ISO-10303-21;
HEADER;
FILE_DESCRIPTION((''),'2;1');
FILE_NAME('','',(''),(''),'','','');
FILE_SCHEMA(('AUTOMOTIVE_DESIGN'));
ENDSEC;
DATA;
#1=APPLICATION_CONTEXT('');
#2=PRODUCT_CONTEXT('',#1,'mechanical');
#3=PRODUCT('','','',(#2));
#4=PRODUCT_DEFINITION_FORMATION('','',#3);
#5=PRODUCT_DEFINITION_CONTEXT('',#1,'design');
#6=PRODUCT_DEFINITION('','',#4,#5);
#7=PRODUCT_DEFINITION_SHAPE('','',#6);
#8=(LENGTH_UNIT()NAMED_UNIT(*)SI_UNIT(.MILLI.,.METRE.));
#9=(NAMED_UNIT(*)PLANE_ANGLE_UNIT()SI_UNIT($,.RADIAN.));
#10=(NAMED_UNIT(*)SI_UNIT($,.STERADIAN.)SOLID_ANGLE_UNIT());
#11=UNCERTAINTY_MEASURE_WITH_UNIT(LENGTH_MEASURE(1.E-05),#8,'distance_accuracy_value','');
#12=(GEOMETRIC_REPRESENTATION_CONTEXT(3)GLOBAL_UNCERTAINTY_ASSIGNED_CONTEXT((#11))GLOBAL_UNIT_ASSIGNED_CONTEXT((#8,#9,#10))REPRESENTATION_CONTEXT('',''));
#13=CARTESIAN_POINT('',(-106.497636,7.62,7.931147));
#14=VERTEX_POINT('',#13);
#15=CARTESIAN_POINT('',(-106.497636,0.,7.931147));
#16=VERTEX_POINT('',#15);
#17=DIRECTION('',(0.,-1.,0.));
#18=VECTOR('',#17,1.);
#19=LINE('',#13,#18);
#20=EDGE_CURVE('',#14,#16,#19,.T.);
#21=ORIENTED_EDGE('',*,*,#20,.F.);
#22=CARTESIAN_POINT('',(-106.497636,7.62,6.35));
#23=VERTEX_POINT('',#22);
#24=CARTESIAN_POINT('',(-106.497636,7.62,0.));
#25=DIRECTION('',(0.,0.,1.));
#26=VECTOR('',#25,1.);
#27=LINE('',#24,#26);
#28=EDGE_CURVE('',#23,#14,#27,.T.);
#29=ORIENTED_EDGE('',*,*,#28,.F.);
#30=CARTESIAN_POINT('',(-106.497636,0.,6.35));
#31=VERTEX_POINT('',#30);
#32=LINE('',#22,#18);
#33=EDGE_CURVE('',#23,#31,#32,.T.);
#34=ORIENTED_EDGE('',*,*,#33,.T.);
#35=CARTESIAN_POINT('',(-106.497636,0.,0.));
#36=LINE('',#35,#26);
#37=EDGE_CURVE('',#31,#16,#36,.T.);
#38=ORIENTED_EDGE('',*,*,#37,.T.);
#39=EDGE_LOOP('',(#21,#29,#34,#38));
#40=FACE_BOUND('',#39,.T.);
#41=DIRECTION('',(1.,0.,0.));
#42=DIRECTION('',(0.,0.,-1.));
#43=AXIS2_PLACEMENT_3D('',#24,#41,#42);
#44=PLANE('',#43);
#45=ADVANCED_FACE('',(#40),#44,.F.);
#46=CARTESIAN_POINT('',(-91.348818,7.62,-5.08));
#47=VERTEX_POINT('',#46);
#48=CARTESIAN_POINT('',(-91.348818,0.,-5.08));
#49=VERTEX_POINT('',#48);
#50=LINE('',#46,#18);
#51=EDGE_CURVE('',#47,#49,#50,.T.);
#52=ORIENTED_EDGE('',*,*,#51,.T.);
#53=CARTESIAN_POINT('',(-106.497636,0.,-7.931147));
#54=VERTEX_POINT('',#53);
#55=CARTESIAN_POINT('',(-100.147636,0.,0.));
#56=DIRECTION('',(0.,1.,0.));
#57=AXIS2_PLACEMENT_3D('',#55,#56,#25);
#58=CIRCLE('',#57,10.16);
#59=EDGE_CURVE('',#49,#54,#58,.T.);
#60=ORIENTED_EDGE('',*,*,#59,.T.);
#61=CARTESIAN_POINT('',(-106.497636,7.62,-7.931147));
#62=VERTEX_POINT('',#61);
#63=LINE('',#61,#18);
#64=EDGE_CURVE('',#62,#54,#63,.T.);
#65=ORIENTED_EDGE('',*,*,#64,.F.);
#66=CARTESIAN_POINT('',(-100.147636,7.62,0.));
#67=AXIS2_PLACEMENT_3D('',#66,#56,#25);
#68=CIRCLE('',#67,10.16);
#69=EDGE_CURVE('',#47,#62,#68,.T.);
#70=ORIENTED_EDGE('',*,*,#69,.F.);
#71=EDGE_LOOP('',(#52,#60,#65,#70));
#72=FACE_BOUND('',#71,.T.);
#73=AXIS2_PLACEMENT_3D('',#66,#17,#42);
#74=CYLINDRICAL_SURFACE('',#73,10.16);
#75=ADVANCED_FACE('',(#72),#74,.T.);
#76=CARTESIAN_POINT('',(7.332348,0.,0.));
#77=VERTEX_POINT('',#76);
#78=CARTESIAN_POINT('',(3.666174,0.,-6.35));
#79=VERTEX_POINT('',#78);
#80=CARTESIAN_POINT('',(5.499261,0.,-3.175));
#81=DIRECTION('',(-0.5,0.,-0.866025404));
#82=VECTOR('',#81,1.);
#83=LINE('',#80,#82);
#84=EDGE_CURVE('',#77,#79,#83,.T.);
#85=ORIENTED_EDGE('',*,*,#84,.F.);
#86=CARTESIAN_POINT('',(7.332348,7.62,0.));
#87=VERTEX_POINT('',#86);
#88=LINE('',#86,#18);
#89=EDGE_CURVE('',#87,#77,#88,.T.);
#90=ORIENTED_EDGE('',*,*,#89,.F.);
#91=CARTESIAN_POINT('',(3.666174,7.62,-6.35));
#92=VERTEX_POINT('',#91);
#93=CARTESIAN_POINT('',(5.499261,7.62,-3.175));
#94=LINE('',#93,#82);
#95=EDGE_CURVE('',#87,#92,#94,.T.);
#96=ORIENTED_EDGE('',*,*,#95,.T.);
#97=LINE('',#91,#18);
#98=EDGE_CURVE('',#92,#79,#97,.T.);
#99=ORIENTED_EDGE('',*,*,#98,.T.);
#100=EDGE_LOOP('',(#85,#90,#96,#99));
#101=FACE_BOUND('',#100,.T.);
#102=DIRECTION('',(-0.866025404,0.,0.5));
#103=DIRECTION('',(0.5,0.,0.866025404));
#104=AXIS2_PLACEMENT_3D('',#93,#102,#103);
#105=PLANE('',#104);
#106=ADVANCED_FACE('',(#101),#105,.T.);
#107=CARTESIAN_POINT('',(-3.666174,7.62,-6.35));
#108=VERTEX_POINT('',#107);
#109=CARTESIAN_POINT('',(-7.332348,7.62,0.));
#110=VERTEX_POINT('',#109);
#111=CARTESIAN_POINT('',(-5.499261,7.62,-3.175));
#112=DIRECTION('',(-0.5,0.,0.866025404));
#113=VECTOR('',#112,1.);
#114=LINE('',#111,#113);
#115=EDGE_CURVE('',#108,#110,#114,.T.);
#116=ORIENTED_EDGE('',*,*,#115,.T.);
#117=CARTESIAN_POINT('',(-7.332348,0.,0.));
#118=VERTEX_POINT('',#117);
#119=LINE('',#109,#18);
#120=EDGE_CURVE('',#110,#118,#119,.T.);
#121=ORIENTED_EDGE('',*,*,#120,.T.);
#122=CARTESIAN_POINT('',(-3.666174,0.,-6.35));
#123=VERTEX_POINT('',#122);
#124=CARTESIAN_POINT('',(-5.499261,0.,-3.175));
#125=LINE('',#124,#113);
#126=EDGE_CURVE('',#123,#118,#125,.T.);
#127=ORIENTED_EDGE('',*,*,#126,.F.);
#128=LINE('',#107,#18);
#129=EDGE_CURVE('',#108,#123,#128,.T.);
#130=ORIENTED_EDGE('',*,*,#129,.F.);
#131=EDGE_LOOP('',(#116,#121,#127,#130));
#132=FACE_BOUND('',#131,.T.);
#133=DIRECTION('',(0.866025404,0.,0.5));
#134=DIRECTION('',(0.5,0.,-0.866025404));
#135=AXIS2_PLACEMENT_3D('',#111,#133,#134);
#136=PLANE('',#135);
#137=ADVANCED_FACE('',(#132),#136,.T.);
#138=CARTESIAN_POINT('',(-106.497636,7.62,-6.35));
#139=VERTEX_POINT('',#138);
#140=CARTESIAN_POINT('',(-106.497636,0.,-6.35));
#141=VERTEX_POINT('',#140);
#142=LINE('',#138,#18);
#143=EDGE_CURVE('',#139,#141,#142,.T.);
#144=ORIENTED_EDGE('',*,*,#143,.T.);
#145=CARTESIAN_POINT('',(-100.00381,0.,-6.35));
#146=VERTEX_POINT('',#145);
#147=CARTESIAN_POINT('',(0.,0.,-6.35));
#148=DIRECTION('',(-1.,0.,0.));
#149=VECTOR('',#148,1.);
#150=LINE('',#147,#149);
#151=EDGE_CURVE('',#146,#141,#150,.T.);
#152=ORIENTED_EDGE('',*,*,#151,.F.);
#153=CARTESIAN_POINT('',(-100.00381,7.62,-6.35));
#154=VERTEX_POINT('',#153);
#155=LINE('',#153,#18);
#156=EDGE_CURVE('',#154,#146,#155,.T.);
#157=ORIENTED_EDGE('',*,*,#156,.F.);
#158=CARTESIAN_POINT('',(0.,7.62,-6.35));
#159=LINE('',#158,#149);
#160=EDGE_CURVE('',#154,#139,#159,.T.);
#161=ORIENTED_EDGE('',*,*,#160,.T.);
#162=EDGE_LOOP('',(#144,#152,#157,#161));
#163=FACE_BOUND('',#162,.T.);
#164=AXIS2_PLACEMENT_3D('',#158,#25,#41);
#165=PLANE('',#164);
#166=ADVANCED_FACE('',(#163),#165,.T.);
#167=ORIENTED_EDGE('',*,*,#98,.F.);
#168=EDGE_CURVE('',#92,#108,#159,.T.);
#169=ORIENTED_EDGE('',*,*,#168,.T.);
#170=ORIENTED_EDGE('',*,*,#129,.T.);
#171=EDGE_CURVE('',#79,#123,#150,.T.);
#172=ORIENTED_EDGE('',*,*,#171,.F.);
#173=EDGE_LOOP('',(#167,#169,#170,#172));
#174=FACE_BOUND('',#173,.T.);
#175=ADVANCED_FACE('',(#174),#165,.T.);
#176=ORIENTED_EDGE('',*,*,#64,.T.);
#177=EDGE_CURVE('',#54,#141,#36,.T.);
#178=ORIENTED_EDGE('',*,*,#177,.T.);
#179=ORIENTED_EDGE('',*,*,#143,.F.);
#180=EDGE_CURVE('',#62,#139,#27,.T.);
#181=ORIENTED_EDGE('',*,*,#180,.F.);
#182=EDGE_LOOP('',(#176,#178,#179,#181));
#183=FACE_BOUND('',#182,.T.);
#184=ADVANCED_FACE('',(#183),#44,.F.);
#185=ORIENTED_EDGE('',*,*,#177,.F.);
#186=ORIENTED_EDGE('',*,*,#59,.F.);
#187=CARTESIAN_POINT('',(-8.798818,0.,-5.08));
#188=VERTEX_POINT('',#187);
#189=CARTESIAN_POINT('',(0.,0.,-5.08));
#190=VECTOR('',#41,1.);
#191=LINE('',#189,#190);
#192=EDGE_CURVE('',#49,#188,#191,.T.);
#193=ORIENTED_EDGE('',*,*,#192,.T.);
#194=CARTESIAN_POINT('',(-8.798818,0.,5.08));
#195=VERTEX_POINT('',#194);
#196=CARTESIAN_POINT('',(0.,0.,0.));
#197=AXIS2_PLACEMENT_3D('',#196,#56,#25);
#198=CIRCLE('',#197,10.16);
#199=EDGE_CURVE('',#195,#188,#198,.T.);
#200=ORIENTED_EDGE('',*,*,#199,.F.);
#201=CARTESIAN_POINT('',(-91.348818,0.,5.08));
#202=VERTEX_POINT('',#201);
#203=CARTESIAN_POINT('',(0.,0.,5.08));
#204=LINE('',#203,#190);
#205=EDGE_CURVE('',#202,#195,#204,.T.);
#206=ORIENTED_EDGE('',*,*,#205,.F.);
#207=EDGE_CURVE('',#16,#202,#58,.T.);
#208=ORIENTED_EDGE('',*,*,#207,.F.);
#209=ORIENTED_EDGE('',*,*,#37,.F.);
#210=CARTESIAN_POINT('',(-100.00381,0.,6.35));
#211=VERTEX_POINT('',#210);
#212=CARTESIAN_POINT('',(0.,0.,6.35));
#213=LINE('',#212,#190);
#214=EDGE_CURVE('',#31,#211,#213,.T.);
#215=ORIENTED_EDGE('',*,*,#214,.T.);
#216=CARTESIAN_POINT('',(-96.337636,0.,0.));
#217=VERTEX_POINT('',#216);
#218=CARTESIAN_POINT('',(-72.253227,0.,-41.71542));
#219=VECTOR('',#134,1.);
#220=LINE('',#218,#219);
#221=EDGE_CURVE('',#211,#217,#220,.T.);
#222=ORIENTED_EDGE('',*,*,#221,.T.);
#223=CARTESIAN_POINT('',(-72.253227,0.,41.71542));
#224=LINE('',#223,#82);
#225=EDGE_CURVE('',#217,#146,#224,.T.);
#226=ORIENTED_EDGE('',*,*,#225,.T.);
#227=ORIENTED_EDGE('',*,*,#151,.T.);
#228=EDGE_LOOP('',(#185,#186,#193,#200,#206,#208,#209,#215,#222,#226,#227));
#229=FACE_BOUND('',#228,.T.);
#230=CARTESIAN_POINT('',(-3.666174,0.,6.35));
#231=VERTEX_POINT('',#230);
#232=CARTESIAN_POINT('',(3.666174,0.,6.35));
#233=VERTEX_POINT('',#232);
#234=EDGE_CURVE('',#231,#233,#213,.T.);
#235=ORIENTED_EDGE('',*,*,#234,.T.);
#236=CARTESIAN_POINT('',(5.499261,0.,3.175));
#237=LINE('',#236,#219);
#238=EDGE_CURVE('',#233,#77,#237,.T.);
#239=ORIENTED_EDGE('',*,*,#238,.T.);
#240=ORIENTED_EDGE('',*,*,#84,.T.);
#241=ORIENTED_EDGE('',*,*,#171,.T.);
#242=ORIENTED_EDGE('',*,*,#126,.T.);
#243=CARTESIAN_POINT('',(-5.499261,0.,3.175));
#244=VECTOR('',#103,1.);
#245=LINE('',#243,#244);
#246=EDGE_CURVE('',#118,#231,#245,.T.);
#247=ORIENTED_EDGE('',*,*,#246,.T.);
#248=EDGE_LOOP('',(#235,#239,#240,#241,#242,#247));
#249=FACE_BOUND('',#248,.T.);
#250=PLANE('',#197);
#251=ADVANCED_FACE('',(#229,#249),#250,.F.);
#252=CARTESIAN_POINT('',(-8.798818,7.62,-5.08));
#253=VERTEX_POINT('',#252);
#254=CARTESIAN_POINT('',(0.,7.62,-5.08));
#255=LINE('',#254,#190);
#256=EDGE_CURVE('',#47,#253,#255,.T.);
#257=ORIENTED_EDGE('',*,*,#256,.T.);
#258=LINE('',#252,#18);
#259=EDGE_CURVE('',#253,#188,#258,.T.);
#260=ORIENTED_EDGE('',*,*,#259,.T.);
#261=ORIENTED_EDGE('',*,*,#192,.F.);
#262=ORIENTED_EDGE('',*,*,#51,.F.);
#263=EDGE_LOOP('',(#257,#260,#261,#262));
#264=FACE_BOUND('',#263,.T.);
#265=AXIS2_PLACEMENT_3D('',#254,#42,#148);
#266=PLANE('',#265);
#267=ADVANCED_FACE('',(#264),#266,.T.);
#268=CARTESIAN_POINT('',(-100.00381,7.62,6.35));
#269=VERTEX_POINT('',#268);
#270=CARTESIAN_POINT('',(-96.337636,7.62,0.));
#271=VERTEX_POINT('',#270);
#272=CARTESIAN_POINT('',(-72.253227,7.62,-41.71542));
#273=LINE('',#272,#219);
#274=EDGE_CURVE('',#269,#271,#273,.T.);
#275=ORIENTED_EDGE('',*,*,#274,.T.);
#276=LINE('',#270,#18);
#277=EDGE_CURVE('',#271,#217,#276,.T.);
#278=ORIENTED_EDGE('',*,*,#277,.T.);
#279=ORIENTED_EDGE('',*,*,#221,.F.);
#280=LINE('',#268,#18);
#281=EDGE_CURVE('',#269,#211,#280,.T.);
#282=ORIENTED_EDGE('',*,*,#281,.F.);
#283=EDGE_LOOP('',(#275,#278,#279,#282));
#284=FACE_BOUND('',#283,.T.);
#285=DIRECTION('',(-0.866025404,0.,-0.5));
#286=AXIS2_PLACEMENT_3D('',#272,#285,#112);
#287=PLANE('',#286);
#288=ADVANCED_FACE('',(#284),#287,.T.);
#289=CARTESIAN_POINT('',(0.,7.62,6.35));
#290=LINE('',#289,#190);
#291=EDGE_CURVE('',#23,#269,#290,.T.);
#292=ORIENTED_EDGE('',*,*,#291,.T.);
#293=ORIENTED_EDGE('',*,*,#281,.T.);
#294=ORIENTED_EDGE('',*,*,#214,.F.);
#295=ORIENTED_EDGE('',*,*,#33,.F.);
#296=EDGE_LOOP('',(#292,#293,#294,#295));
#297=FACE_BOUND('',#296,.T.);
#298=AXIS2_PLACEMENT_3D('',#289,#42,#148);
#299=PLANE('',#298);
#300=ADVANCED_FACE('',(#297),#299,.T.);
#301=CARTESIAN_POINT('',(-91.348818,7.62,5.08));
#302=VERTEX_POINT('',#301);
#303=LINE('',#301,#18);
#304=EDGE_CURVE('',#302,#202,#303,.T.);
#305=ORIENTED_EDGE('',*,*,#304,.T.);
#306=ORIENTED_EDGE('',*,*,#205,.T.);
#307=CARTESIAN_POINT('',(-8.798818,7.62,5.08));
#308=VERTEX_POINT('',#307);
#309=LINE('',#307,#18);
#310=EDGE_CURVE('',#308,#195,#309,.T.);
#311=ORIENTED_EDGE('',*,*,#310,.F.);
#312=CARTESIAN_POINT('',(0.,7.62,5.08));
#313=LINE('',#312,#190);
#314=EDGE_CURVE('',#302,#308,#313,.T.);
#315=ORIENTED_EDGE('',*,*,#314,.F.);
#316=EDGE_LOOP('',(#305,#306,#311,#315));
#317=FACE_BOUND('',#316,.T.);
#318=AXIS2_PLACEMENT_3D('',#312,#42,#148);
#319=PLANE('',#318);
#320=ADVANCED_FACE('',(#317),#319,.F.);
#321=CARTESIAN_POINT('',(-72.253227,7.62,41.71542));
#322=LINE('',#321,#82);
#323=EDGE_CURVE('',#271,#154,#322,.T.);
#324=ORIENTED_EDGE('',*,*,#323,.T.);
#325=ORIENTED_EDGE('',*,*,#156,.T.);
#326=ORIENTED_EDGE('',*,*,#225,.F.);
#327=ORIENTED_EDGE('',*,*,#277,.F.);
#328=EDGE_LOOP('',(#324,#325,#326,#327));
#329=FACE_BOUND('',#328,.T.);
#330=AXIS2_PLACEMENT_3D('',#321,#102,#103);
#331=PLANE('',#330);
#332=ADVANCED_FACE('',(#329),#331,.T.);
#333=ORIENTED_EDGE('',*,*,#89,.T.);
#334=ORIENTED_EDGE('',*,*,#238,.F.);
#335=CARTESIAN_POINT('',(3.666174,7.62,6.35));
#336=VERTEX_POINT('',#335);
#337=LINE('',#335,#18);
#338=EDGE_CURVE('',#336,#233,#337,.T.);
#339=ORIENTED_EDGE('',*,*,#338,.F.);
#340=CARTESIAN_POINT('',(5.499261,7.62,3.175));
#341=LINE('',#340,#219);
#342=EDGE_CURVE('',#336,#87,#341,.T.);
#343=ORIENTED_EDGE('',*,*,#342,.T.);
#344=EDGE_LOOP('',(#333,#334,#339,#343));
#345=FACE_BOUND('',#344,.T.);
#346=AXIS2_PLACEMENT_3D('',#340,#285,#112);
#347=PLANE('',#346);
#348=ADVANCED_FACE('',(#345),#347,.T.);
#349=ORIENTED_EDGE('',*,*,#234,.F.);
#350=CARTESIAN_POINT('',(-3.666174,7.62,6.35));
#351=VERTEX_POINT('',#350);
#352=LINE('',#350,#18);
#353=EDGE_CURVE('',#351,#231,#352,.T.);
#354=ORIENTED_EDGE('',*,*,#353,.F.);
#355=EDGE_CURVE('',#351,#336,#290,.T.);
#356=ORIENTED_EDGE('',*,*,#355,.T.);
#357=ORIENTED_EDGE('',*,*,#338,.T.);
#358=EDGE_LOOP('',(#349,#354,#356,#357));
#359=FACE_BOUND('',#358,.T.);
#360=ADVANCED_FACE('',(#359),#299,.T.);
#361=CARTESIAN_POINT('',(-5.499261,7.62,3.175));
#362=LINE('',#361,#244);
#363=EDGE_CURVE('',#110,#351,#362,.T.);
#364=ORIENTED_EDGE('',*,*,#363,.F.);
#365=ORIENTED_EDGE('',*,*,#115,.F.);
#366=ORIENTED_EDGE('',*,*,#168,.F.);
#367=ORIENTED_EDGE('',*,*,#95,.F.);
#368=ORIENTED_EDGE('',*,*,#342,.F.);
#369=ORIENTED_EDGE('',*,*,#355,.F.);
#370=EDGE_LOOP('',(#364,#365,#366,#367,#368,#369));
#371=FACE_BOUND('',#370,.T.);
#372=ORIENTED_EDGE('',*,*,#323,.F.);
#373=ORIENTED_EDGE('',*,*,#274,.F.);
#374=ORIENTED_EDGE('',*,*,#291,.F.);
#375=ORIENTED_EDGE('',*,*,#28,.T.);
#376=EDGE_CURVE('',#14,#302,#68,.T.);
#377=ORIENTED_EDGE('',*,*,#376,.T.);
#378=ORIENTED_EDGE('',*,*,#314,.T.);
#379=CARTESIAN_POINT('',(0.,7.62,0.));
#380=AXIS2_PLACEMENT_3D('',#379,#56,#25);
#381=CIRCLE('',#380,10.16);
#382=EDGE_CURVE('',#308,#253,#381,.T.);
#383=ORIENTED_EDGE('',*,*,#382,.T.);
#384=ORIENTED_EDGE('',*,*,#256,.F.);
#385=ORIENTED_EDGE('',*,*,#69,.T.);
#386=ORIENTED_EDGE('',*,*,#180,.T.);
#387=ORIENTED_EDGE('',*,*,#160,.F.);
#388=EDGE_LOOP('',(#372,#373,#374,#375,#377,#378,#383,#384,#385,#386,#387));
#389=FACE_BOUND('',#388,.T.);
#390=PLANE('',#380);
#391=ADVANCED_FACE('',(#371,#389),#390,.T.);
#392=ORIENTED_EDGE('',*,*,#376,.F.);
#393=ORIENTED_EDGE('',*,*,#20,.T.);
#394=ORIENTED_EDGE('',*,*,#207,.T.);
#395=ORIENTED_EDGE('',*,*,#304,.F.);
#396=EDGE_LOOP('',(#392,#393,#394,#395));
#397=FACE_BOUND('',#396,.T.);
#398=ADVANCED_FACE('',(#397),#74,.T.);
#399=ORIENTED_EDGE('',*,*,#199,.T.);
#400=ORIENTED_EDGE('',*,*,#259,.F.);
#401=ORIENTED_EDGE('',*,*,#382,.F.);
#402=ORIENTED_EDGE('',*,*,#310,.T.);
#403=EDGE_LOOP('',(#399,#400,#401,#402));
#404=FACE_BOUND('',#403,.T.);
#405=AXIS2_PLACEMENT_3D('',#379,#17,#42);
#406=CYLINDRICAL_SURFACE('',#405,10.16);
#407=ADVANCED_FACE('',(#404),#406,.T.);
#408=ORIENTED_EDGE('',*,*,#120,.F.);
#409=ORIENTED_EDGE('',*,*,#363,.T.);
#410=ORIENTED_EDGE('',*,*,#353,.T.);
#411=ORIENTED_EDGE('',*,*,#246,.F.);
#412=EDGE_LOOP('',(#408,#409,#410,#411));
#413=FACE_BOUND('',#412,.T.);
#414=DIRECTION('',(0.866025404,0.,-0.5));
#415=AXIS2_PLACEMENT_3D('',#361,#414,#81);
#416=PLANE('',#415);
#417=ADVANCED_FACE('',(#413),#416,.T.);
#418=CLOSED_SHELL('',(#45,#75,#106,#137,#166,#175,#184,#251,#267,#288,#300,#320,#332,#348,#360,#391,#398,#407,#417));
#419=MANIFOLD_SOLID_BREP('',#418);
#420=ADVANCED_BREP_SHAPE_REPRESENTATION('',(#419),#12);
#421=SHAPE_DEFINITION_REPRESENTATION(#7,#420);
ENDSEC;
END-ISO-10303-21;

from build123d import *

# Parameters (mm, degrees)
SKETCH1_R           = 10.16
BOSS_EXTRUDE1_DEPTH = 7.62


with BuildPart() as part:
    # Sketch1 → Boss-Extrude1 (new body)
    with BuildSketch(Plane(origin=(0, 0, 0), x_dir=(1, 0, 0), z_dir=(0, 1, 0))):
        Circle(SKETCH1_R)
        Polygon((3.666174209, -6.35), (7.332348419, 0), (3.666174209, 6.35), (-3.666174209, 6.35), (-7.332348419, 0), (-3.666174209, -6.35), align=None, mode=Mode.SUBTRACT)
        with BuildLine():
            Line((-8.798818102, 5.08), (-91.348818102, 5.08))
            ThreePointArc((-91.348818102, 5.08), (-90.33382981, 2.629601498), (-89.987636205, 0))
            ThreePointArc((-89.987636205, 0), (-90.33382981, -2.629601498), (-91.348818102, -5.08))
            Line((-91.348818102, -5.08), (-8.798818102, -5.08))
            ThreePointArc((-8.798818102, -5.08), (-10.16, 0), (-8.798818102, 5.08))
        make_face()
        with BuildLine():
            ThreePointArc((-89.987636205, 0), (-90.33382981, 2.629601498), (-91.348818102, 5.08))
            ThreePointArc((-91.348818102, 5.08), (-98.268424141, 9.984696391), (-106.497636205, 7.931147458))
            Line((-106.497636205, 7.931147458), (-106.497636205, 6.35))
            Line((-106.497636205, 6.35), (-100.003810414, 6.35))
            Line((-100.003810414, 6.35), (-96.337636205, 0))
            Line((-96.337636205, 0), (-100.003810414, -6.35))
            Line((-100.003810414, -6.35), (-106.497636205, -6.35))
            Line((-106.497636205, -6.35), (-106.497636205, -7.931147458))
            ThreePointArc((-106.497636205, -7.931147458), (-98.268424141, -9.984696391), (-91.348818102, -5.08))
            ThreePointArc((-91.348818102, -5.08), (-90.33382981, -2.629601498), (-89.987636205, 0))
        make_face()
    extrude(amount=BOSS_EXTRUDE1_DEPTH)


solid = part.part
